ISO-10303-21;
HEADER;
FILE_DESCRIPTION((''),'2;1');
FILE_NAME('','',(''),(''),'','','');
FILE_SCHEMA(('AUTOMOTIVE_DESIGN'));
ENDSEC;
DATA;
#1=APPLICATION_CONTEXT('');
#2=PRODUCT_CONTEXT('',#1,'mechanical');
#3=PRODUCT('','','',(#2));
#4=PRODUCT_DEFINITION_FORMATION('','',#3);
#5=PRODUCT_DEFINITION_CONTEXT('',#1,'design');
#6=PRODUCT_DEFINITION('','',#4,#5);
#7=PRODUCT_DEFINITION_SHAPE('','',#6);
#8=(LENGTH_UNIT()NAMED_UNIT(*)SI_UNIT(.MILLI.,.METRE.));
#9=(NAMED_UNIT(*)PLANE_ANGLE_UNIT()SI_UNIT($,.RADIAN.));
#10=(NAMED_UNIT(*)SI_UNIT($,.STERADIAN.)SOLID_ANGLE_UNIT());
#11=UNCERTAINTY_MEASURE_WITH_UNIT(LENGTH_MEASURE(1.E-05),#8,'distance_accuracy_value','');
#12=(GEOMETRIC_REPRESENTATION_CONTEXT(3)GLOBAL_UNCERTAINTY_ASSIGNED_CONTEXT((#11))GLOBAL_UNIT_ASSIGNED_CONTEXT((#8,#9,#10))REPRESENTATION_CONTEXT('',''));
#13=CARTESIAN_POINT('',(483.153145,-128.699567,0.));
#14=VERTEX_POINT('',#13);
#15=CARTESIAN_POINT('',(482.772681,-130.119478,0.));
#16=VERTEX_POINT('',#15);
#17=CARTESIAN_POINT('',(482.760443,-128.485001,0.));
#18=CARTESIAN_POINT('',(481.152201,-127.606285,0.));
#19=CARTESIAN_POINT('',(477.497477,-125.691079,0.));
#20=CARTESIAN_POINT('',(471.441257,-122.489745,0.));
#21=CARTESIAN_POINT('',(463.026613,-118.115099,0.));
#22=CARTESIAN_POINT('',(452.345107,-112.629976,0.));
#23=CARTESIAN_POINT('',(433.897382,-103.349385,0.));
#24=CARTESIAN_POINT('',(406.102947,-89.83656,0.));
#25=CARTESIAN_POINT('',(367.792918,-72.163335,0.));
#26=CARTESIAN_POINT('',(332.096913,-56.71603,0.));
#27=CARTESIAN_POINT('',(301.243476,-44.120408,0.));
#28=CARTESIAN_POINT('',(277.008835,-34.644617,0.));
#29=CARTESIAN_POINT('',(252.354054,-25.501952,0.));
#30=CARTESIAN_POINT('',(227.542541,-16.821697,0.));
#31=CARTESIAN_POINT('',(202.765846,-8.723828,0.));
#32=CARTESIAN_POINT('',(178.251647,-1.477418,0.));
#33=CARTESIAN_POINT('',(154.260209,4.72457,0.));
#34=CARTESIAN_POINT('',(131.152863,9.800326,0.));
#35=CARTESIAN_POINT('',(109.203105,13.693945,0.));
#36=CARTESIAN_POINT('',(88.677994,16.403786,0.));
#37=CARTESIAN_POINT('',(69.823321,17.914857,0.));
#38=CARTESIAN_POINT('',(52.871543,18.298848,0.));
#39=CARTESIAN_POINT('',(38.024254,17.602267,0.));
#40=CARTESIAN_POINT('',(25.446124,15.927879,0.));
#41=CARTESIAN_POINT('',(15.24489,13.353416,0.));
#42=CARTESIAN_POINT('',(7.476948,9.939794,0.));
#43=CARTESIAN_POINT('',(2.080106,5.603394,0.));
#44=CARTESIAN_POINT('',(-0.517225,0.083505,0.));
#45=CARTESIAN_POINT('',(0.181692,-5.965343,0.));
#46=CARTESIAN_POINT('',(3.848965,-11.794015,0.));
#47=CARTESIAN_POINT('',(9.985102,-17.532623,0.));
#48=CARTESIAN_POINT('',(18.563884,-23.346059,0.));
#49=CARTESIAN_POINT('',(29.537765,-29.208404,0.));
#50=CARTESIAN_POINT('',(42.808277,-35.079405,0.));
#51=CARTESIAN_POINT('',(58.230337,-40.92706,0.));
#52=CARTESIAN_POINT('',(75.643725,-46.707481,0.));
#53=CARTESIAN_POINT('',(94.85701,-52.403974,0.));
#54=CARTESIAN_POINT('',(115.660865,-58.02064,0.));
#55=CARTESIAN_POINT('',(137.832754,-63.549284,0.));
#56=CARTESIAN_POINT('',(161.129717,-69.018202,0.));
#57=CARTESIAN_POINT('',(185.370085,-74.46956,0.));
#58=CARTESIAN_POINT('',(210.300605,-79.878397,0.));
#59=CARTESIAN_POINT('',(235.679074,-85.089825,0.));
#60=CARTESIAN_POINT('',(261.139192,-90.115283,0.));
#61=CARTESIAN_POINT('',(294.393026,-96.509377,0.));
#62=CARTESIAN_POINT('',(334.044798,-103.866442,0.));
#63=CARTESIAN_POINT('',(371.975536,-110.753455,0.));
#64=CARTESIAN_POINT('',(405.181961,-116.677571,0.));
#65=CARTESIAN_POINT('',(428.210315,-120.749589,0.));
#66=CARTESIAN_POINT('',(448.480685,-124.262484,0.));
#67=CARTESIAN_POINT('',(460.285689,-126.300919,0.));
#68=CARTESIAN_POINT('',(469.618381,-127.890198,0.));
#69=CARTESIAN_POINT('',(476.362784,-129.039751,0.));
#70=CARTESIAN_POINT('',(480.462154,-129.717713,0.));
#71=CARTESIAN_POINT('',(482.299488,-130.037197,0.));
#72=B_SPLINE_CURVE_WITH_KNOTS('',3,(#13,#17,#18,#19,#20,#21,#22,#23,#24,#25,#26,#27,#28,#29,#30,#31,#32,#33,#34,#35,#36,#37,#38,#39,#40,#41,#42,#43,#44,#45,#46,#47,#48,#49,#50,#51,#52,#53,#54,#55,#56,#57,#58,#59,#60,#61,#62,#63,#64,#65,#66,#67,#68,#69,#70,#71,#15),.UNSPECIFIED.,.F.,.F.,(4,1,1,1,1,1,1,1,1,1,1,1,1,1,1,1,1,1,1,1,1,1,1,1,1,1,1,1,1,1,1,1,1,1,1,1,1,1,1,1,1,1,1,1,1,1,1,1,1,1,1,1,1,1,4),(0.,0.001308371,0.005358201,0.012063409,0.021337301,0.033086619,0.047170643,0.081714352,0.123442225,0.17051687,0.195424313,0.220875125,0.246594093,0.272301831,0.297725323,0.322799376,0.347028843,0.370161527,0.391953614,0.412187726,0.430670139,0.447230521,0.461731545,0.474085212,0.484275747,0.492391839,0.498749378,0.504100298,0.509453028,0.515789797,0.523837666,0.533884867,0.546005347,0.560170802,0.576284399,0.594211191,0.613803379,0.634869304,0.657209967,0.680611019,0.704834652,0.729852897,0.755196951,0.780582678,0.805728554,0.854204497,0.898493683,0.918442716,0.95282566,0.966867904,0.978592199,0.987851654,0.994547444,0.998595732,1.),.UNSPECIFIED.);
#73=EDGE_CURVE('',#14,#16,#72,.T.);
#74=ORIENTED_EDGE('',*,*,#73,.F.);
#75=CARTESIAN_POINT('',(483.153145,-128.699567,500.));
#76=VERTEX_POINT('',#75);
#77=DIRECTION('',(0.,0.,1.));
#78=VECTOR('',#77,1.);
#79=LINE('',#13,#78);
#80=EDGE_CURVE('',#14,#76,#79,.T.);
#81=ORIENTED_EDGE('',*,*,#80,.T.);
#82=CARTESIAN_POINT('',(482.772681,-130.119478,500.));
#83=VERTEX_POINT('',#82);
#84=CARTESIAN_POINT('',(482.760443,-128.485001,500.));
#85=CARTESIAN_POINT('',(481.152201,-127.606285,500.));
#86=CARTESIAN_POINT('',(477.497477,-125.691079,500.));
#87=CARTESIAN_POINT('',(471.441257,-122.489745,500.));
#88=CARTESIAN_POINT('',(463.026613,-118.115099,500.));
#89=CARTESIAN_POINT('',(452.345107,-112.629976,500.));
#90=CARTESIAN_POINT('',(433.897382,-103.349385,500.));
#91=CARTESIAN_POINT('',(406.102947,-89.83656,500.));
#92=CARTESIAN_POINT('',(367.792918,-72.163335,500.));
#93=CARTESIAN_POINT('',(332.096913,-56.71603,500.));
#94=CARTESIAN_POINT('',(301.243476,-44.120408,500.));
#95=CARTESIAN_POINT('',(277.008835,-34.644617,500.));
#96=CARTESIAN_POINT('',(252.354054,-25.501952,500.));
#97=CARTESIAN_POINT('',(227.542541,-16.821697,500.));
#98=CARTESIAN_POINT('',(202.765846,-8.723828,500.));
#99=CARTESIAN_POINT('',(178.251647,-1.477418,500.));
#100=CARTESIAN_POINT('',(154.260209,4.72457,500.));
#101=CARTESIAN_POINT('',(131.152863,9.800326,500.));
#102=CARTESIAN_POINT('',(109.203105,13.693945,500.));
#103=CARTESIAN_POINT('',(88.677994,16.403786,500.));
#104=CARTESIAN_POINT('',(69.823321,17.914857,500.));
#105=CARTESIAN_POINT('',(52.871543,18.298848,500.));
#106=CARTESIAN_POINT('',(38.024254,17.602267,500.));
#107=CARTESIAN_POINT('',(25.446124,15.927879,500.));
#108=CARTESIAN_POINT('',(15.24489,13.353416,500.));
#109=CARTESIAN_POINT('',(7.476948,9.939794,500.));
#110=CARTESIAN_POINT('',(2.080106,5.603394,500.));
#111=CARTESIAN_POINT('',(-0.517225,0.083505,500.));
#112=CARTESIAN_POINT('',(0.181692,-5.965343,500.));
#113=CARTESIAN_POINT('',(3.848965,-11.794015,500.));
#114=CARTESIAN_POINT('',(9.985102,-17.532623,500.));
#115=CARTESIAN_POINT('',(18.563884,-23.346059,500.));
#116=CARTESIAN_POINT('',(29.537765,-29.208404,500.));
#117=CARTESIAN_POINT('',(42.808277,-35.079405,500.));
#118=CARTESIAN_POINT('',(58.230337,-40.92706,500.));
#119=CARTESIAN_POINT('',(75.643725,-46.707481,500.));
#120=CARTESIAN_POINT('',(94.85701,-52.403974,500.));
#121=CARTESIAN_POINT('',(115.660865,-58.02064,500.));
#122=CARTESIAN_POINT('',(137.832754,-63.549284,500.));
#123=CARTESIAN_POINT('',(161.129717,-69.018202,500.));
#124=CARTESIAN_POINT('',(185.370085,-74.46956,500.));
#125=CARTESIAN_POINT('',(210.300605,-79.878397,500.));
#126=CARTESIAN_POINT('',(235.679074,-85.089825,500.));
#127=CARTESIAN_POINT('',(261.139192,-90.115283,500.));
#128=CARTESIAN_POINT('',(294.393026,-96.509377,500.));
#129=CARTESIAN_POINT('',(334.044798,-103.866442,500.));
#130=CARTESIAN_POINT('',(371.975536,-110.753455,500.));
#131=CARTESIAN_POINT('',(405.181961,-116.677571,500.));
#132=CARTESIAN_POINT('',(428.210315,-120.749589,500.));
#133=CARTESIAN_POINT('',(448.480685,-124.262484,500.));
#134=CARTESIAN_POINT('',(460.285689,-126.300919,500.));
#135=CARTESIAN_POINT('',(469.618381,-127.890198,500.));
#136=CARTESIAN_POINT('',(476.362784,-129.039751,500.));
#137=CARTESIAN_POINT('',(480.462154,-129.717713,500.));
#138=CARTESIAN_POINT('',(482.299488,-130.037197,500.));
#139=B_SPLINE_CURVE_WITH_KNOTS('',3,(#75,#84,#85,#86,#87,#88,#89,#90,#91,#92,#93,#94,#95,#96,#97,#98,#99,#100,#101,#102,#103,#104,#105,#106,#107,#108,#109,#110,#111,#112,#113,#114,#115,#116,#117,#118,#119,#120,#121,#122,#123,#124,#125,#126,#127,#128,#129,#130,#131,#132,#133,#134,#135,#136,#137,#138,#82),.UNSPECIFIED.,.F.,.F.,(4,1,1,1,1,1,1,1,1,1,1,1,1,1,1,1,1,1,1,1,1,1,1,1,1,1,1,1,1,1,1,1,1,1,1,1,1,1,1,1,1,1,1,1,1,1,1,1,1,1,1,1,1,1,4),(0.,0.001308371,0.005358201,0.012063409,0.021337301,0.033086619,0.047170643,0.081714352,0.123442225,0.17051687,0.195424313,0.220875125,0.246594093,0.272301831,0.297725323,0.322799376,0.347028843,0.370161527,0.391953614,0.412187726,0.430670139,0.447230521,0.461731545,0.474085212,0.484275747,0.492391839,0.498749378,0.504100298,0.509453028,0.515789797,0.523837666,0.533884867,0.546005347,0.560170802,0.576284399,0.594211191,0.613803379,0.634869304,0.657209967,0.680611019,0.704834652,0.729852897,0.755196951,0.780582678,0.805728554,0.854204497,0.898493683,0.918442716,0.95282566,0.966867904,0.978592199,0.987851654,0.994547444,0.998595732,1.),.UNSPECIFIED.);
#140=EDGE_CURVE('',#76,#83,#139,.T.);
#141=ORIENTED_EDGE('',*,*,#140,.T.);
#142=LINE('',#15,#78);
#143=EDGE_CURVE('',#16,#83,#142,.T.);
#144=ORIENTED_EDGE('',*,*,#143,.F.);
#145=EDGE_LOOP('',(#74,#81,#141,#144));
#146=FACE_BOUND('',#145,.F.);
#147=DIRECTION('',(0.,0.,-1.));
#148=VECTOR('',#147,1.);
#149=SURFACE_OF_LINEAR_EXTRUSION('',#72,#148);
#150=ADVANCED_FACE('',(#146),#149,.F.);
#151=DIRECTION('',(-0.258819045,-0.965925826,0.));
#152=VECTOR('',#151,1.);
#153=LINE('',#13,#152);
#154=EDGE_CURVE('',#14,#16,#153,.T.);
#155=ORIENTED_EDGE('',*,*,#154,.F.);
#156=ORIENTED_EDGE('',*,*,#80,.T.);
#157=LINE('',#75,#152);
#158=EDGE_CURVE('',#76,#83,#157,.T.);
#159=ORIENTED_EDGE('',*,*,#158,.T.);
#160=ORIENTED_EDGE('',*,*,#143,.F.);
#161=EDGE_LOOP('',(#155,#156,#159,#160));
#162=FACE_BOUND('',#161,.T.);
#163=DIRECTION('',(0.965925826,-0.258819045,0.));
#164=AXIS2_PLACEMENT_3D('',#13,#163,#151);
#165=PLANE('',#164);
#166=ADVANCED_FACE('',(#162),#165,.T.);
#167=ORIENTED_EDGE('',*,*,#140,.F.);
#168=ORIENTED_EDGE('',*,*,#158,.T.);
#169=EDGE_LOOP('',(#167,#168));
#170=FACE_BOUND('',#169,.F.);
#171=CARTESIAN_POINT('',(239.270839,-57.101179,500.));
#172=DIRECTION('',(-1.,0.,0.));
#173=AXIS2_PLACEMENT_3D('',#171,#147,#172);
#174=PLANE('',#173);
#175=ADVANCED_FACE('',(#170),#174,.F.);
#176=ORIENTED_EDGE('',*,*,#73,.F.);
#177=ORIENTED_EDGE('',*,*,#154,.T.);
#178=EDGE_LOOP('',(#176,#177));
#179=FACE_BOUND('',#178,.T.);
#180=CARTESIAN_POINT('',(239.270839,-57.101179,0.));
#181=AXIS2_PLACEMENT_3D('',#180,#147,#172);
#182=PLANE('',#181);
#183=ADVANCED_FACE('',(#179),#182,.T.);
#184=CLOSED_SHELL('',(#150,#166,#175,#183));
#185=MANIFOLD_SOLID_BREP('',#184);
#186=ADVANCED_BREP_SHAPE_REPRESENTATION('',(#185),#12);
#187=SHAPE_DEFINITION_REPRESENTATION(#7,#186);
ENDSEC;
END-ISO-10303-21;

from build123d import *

# Parameters (mm, degrees)
DODANIE_WYCI_GNI_CIE1_DEPTH = 500


with BuildPart() as part:
    # Szkic1 → Dodanie-wyciągnięcie1 (new body)
    with BuildSketch(Plane.XY):
        with BuildLine():
            Line((483.153145143, -128.699567069), (482.772681146, -130.119478034))
            add(Edge.make_bspline(
                [(483.153145143, -128.699567069), (482.760443043, -128.485001292), (481.152201149, -127.606285155), (477.497476605, -125.691079144), (471.441257264, -122.489744921), (463.026613018, -118.115099432), (452.345106784, -112.629975814), (433.897381536, -103.34938471), (406.102946731, -89.836560079), (367.792917608, -72.163335302), (332.096912655, -56.716030035), (301.24347568, -44.120407754), (277.008835325, -34.644617391), (252.354053994, -25.501951622), (227.542541226, -16.821696955), (202.765846229, -8.723827759), (178.25164671, -1.47741831), (154.260209483, 4.724569681), (131.152862772, 9.800326319), (109.203104562, 13.693944863), (88.677993542, 16.403786433), (69.823321482, 17.914857051), (52.87154259, 18.298847572), (38.02425364, 17.602266542), (25.44612396, 15.927878686), (15.244890269, 13.353416473), (7.476948169, 9.939794376), (2.080106411, 5.603394229), (-0.517224741, 0.083505309), (0.181692292, -5.965342642), (3.848965329, -11.794015129), (9.985102046, -17.532623272), (18.56388353, -23.346059171), (29.537764716, -29.208404016), (42.808276784, -35.079404544), (58.230336829, -40.927060044), (75.643724775, -46.707480904), (94.857009699, -52.403973962), (115.660864854, -58.020639576), (137.83275448, -63.54928417), (161.129716809, -69.018201723), (185.370085368, -74.469559734), (210.30060466, -79.878397171), (235.679074389, -85.089825082), (261.13919178, -90.115282822), (294.393026282, -96.509376644), (334.044798347, -103.866441711), (371.975536309, -110.753455364), (405.181960714, -116.677571394), (428.210314959, -120.749589008), (448.480685073, -124.262483982), (460.285689024, -126.300919483), (469.618381045, -127.8901977), (476.362783692, -129.039750959), (480.462154436, -129.717713097), (482.299488427, -130.037197122), (482.772681146, -130.119478034)],
                knots=[0, 0, 0, 0, 0.001308371, 0.005358201, 0.012063409, 0.021337301, 0.033086619, 0.047170643, 0.081714352, 0.123442225, 0.17051687, 0.195424313, 0.220875125, 0.246594093, 0.272301831, 0.297725323, 0.322799376, 0.347028843, 0.370161527, 0.391953614, 0.412187726, 0.430670139, 0.447230521, 0.461731545, 0.474085212, 0.484275747, 0.492391839, 0.498749378, 0.504100298, 0.509453028, 0.515789797, 0.523837666, 0.533884867, 0.546005347, 0.560170802, 0.576284399, 0.594211191, 0.613803379, 0.634869304, 0.657209967, 0.680611019, 0.704834652, 0.729852897, 0.755196951, 0.780582678, 0.805728554, 0.854204497, 0.898493683, 0.918442716, 0.95282566, 0.966867904, 0.978592199, 0.987851654, 0.994547444, 0.998595732, 1, 1, 1, 1], degree=3))
        make_face()
    extrude(amount=DODANIE_WYCI_GNI_CIE1_DEPTH)


solid = part.part
